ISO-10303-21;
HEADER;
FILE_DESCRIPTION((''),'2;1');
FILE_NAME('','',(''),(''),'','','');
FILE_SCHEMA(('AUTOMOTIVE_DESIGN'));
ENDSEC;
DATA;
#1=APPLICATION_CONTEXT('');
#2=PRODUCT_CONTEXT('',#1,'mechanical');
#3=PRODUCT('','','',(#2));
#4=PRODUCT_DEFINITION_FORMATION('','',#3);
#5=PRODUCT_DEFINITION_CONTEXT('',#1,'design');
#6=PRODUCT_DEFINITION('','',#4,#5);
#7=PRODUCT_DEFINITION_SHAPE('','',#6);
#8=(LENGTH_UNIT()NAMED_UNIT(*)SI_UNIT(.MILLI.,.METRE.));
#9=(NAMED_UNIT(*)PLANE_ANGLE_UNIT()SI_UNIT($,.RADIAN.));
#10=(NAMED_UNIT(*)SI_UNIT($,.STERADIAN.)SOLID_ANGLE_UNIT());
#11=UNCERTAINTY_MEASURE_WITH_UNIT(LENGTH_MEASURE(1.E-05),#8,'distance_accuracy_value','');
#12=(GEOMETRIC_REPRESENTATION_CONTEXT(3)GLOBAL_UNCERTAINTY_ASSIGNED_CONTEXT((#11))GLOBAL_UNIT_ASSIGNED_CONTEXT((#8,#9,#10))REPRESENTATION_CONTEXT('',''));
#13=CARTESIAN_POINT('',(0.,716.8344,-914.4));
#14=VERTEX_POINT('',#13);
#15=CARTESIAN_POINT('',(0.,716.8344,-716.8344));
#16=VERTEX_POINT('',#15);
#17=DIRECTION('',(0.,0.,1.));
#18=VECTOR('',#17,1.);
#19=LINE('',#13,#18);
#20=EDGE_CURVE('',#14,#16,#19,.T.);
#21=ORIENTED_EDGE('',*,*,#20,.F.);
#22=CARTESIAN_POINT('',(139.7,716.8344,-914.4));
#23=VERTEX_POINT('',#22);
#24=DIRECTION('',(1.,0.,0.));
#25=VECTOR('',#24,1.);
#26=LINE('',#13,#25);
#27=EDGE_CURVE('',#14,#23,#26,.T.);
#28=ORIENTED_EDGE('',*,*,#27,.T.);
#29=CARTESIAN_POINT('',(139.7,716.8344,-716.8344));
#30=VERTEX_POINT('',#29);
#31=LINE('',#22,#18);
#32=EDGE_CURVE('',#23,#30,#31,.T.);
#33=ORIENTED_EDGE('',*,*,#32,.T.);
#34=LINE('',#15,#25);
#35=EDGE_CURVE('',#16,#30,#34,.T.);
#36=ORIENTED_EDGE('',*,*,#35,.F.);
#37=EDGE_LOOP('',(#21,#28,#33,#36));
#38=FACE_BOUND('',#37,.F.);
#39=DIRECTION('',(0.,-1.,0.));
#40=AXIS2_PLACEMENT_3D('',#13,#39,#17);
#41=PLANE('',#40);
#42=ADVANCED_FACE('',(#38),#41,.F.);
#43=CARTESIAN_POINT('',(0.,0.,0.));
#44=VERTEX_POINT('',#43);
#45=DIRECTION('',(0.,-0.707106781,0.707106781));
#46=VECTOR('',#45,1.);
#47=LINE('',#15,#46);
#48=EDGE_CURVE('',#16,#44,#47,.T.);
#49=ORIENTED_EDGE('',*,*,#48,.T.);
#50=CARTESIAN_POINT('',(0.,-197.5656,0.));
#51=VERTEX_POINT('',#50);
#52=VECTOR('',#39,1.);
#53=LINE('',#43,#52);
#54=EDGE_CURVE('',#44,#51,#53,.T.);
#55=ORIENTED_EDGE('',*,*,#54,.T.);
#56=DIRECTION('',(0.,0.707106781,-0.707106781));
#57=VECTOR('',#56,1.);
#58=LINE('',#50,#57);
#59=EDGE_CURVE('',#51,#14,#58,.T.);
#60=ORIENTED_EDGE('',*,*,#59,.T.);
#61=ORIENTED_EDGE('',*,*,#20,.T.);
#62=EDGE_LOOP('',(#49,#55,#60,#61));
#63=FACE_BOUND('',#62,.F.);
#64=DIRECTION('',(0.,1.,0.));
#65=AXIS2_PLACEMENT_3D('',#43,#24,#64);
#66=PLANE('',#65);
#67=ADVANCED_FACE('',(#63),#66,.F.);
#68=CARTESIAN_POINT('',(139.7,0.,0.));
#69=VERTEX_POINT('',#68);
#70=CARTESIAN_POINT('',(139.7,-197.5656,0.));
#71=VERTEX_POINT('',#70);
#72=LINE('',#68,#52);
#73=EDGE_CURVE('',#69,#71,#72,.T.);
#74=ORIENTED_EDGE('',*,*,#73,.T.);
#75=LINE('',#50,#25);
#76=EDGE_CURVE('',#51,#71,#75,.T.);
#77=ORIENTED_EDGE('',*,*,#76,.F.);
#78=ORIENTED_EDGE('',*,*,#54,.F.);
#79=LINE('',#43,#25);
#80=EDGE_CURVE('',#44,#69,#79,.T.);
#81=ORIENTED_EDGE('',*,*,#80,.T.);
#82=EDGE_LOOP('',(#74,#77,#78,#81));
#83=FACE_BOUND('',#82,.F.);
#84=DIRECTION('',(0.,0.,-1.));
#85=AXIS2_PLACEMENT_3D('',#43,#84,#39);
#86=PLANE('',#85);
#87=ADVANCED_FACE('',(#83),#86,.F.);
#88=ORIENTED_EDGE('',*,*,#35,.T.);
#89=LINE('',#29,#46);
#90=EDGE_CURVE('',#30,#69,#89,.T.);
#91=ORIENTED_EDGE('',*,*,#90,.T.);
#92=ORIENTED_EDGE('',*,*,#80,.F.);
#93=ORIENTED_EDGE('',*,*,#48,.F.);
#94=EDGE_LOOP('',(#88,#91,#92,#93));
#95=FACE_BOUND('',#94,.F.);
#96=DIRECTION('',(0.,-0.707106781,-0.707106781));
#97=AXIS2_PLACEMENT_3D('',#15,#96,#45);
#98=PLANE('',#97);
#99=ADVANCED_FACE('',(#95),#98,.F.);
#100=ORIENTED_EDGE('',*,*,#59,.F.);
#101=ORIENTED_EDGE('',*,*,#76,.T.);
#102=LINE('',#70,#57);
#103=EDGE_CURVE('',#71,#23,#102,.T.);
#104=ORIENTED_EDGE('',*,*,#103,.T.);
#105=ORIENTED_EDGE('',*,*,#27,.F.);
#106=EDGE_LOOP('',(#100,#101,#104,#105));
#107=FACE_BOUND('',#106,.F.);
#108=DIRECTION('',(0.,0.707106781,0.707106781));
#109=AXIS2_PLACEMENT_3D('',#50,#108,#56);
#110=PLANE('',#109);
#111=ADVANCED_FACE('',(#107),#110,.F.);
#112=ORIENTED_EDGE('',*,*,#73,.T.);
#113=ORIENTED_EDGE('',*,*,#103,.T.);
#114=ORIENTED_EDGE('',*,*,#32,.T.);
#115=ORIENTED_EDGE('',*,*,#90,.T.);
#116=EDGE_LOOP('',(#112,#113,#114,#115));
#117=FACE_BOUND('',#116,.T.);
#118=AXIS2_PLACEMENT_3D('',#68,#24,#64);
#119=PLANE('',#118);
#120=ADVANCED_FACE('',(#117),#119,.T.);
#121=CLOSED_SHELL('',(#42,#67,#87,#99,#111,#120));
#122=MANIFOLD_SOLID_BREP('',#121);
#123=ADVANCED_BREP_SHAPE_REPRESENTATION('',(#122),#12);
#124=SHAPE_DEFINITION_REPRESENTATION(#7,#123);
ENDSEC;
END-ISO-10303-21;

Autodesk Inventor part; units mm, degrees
ref_plane "YZ Plane" through (0, 0, 0) normal (1, 0, 0) x (0, 1, 0)
ref_plane "XZ Plane" through (0, 0, 0) normal (0, 1, 0) x (-1, 0, 0)
ref_plane "XY Plane" through (0, 0, 0) normal (0, 0, 1) x (1, 0, 0)
sketch "Sketch1" plane through (0, 0, 0) normal (1, 0, 0) x (0, 1, 0)
  line L0 (0, 0) -> (-197.5656, 0)
  line L1 (-197.5656, 0) -> (716.8344, -914.4)
  line L2 (716.8344, -914.4) -> (716.8344, -716.8344)
  line L3 (716.8344, -716.8344) -> (0, 0)
  dimension "d1" = 139.7
  dimension "d2" = 914.4
extrude "Extrusion1" add sketch "Sketch1" along normal blind 139.7
sketch "Sketch2" plane through (139.7, 0, 0) normal (1, 0, 0) x (0, 0, -1)
  line L0 (0, -197.5656) -> (914.4, 716.8344) projected
  line L1 (161.6446, -35.921) -> (-105.0554, -35.921)
  line L2 (110.8446, -86.721) -> (-105.0554, -86.721)
  point P0 (0, 0)
  dimension "d7" = 266.7
  dimension "d8" = 228.6
  dimension "d9" = 215.9
properties part number "Angled Support"
